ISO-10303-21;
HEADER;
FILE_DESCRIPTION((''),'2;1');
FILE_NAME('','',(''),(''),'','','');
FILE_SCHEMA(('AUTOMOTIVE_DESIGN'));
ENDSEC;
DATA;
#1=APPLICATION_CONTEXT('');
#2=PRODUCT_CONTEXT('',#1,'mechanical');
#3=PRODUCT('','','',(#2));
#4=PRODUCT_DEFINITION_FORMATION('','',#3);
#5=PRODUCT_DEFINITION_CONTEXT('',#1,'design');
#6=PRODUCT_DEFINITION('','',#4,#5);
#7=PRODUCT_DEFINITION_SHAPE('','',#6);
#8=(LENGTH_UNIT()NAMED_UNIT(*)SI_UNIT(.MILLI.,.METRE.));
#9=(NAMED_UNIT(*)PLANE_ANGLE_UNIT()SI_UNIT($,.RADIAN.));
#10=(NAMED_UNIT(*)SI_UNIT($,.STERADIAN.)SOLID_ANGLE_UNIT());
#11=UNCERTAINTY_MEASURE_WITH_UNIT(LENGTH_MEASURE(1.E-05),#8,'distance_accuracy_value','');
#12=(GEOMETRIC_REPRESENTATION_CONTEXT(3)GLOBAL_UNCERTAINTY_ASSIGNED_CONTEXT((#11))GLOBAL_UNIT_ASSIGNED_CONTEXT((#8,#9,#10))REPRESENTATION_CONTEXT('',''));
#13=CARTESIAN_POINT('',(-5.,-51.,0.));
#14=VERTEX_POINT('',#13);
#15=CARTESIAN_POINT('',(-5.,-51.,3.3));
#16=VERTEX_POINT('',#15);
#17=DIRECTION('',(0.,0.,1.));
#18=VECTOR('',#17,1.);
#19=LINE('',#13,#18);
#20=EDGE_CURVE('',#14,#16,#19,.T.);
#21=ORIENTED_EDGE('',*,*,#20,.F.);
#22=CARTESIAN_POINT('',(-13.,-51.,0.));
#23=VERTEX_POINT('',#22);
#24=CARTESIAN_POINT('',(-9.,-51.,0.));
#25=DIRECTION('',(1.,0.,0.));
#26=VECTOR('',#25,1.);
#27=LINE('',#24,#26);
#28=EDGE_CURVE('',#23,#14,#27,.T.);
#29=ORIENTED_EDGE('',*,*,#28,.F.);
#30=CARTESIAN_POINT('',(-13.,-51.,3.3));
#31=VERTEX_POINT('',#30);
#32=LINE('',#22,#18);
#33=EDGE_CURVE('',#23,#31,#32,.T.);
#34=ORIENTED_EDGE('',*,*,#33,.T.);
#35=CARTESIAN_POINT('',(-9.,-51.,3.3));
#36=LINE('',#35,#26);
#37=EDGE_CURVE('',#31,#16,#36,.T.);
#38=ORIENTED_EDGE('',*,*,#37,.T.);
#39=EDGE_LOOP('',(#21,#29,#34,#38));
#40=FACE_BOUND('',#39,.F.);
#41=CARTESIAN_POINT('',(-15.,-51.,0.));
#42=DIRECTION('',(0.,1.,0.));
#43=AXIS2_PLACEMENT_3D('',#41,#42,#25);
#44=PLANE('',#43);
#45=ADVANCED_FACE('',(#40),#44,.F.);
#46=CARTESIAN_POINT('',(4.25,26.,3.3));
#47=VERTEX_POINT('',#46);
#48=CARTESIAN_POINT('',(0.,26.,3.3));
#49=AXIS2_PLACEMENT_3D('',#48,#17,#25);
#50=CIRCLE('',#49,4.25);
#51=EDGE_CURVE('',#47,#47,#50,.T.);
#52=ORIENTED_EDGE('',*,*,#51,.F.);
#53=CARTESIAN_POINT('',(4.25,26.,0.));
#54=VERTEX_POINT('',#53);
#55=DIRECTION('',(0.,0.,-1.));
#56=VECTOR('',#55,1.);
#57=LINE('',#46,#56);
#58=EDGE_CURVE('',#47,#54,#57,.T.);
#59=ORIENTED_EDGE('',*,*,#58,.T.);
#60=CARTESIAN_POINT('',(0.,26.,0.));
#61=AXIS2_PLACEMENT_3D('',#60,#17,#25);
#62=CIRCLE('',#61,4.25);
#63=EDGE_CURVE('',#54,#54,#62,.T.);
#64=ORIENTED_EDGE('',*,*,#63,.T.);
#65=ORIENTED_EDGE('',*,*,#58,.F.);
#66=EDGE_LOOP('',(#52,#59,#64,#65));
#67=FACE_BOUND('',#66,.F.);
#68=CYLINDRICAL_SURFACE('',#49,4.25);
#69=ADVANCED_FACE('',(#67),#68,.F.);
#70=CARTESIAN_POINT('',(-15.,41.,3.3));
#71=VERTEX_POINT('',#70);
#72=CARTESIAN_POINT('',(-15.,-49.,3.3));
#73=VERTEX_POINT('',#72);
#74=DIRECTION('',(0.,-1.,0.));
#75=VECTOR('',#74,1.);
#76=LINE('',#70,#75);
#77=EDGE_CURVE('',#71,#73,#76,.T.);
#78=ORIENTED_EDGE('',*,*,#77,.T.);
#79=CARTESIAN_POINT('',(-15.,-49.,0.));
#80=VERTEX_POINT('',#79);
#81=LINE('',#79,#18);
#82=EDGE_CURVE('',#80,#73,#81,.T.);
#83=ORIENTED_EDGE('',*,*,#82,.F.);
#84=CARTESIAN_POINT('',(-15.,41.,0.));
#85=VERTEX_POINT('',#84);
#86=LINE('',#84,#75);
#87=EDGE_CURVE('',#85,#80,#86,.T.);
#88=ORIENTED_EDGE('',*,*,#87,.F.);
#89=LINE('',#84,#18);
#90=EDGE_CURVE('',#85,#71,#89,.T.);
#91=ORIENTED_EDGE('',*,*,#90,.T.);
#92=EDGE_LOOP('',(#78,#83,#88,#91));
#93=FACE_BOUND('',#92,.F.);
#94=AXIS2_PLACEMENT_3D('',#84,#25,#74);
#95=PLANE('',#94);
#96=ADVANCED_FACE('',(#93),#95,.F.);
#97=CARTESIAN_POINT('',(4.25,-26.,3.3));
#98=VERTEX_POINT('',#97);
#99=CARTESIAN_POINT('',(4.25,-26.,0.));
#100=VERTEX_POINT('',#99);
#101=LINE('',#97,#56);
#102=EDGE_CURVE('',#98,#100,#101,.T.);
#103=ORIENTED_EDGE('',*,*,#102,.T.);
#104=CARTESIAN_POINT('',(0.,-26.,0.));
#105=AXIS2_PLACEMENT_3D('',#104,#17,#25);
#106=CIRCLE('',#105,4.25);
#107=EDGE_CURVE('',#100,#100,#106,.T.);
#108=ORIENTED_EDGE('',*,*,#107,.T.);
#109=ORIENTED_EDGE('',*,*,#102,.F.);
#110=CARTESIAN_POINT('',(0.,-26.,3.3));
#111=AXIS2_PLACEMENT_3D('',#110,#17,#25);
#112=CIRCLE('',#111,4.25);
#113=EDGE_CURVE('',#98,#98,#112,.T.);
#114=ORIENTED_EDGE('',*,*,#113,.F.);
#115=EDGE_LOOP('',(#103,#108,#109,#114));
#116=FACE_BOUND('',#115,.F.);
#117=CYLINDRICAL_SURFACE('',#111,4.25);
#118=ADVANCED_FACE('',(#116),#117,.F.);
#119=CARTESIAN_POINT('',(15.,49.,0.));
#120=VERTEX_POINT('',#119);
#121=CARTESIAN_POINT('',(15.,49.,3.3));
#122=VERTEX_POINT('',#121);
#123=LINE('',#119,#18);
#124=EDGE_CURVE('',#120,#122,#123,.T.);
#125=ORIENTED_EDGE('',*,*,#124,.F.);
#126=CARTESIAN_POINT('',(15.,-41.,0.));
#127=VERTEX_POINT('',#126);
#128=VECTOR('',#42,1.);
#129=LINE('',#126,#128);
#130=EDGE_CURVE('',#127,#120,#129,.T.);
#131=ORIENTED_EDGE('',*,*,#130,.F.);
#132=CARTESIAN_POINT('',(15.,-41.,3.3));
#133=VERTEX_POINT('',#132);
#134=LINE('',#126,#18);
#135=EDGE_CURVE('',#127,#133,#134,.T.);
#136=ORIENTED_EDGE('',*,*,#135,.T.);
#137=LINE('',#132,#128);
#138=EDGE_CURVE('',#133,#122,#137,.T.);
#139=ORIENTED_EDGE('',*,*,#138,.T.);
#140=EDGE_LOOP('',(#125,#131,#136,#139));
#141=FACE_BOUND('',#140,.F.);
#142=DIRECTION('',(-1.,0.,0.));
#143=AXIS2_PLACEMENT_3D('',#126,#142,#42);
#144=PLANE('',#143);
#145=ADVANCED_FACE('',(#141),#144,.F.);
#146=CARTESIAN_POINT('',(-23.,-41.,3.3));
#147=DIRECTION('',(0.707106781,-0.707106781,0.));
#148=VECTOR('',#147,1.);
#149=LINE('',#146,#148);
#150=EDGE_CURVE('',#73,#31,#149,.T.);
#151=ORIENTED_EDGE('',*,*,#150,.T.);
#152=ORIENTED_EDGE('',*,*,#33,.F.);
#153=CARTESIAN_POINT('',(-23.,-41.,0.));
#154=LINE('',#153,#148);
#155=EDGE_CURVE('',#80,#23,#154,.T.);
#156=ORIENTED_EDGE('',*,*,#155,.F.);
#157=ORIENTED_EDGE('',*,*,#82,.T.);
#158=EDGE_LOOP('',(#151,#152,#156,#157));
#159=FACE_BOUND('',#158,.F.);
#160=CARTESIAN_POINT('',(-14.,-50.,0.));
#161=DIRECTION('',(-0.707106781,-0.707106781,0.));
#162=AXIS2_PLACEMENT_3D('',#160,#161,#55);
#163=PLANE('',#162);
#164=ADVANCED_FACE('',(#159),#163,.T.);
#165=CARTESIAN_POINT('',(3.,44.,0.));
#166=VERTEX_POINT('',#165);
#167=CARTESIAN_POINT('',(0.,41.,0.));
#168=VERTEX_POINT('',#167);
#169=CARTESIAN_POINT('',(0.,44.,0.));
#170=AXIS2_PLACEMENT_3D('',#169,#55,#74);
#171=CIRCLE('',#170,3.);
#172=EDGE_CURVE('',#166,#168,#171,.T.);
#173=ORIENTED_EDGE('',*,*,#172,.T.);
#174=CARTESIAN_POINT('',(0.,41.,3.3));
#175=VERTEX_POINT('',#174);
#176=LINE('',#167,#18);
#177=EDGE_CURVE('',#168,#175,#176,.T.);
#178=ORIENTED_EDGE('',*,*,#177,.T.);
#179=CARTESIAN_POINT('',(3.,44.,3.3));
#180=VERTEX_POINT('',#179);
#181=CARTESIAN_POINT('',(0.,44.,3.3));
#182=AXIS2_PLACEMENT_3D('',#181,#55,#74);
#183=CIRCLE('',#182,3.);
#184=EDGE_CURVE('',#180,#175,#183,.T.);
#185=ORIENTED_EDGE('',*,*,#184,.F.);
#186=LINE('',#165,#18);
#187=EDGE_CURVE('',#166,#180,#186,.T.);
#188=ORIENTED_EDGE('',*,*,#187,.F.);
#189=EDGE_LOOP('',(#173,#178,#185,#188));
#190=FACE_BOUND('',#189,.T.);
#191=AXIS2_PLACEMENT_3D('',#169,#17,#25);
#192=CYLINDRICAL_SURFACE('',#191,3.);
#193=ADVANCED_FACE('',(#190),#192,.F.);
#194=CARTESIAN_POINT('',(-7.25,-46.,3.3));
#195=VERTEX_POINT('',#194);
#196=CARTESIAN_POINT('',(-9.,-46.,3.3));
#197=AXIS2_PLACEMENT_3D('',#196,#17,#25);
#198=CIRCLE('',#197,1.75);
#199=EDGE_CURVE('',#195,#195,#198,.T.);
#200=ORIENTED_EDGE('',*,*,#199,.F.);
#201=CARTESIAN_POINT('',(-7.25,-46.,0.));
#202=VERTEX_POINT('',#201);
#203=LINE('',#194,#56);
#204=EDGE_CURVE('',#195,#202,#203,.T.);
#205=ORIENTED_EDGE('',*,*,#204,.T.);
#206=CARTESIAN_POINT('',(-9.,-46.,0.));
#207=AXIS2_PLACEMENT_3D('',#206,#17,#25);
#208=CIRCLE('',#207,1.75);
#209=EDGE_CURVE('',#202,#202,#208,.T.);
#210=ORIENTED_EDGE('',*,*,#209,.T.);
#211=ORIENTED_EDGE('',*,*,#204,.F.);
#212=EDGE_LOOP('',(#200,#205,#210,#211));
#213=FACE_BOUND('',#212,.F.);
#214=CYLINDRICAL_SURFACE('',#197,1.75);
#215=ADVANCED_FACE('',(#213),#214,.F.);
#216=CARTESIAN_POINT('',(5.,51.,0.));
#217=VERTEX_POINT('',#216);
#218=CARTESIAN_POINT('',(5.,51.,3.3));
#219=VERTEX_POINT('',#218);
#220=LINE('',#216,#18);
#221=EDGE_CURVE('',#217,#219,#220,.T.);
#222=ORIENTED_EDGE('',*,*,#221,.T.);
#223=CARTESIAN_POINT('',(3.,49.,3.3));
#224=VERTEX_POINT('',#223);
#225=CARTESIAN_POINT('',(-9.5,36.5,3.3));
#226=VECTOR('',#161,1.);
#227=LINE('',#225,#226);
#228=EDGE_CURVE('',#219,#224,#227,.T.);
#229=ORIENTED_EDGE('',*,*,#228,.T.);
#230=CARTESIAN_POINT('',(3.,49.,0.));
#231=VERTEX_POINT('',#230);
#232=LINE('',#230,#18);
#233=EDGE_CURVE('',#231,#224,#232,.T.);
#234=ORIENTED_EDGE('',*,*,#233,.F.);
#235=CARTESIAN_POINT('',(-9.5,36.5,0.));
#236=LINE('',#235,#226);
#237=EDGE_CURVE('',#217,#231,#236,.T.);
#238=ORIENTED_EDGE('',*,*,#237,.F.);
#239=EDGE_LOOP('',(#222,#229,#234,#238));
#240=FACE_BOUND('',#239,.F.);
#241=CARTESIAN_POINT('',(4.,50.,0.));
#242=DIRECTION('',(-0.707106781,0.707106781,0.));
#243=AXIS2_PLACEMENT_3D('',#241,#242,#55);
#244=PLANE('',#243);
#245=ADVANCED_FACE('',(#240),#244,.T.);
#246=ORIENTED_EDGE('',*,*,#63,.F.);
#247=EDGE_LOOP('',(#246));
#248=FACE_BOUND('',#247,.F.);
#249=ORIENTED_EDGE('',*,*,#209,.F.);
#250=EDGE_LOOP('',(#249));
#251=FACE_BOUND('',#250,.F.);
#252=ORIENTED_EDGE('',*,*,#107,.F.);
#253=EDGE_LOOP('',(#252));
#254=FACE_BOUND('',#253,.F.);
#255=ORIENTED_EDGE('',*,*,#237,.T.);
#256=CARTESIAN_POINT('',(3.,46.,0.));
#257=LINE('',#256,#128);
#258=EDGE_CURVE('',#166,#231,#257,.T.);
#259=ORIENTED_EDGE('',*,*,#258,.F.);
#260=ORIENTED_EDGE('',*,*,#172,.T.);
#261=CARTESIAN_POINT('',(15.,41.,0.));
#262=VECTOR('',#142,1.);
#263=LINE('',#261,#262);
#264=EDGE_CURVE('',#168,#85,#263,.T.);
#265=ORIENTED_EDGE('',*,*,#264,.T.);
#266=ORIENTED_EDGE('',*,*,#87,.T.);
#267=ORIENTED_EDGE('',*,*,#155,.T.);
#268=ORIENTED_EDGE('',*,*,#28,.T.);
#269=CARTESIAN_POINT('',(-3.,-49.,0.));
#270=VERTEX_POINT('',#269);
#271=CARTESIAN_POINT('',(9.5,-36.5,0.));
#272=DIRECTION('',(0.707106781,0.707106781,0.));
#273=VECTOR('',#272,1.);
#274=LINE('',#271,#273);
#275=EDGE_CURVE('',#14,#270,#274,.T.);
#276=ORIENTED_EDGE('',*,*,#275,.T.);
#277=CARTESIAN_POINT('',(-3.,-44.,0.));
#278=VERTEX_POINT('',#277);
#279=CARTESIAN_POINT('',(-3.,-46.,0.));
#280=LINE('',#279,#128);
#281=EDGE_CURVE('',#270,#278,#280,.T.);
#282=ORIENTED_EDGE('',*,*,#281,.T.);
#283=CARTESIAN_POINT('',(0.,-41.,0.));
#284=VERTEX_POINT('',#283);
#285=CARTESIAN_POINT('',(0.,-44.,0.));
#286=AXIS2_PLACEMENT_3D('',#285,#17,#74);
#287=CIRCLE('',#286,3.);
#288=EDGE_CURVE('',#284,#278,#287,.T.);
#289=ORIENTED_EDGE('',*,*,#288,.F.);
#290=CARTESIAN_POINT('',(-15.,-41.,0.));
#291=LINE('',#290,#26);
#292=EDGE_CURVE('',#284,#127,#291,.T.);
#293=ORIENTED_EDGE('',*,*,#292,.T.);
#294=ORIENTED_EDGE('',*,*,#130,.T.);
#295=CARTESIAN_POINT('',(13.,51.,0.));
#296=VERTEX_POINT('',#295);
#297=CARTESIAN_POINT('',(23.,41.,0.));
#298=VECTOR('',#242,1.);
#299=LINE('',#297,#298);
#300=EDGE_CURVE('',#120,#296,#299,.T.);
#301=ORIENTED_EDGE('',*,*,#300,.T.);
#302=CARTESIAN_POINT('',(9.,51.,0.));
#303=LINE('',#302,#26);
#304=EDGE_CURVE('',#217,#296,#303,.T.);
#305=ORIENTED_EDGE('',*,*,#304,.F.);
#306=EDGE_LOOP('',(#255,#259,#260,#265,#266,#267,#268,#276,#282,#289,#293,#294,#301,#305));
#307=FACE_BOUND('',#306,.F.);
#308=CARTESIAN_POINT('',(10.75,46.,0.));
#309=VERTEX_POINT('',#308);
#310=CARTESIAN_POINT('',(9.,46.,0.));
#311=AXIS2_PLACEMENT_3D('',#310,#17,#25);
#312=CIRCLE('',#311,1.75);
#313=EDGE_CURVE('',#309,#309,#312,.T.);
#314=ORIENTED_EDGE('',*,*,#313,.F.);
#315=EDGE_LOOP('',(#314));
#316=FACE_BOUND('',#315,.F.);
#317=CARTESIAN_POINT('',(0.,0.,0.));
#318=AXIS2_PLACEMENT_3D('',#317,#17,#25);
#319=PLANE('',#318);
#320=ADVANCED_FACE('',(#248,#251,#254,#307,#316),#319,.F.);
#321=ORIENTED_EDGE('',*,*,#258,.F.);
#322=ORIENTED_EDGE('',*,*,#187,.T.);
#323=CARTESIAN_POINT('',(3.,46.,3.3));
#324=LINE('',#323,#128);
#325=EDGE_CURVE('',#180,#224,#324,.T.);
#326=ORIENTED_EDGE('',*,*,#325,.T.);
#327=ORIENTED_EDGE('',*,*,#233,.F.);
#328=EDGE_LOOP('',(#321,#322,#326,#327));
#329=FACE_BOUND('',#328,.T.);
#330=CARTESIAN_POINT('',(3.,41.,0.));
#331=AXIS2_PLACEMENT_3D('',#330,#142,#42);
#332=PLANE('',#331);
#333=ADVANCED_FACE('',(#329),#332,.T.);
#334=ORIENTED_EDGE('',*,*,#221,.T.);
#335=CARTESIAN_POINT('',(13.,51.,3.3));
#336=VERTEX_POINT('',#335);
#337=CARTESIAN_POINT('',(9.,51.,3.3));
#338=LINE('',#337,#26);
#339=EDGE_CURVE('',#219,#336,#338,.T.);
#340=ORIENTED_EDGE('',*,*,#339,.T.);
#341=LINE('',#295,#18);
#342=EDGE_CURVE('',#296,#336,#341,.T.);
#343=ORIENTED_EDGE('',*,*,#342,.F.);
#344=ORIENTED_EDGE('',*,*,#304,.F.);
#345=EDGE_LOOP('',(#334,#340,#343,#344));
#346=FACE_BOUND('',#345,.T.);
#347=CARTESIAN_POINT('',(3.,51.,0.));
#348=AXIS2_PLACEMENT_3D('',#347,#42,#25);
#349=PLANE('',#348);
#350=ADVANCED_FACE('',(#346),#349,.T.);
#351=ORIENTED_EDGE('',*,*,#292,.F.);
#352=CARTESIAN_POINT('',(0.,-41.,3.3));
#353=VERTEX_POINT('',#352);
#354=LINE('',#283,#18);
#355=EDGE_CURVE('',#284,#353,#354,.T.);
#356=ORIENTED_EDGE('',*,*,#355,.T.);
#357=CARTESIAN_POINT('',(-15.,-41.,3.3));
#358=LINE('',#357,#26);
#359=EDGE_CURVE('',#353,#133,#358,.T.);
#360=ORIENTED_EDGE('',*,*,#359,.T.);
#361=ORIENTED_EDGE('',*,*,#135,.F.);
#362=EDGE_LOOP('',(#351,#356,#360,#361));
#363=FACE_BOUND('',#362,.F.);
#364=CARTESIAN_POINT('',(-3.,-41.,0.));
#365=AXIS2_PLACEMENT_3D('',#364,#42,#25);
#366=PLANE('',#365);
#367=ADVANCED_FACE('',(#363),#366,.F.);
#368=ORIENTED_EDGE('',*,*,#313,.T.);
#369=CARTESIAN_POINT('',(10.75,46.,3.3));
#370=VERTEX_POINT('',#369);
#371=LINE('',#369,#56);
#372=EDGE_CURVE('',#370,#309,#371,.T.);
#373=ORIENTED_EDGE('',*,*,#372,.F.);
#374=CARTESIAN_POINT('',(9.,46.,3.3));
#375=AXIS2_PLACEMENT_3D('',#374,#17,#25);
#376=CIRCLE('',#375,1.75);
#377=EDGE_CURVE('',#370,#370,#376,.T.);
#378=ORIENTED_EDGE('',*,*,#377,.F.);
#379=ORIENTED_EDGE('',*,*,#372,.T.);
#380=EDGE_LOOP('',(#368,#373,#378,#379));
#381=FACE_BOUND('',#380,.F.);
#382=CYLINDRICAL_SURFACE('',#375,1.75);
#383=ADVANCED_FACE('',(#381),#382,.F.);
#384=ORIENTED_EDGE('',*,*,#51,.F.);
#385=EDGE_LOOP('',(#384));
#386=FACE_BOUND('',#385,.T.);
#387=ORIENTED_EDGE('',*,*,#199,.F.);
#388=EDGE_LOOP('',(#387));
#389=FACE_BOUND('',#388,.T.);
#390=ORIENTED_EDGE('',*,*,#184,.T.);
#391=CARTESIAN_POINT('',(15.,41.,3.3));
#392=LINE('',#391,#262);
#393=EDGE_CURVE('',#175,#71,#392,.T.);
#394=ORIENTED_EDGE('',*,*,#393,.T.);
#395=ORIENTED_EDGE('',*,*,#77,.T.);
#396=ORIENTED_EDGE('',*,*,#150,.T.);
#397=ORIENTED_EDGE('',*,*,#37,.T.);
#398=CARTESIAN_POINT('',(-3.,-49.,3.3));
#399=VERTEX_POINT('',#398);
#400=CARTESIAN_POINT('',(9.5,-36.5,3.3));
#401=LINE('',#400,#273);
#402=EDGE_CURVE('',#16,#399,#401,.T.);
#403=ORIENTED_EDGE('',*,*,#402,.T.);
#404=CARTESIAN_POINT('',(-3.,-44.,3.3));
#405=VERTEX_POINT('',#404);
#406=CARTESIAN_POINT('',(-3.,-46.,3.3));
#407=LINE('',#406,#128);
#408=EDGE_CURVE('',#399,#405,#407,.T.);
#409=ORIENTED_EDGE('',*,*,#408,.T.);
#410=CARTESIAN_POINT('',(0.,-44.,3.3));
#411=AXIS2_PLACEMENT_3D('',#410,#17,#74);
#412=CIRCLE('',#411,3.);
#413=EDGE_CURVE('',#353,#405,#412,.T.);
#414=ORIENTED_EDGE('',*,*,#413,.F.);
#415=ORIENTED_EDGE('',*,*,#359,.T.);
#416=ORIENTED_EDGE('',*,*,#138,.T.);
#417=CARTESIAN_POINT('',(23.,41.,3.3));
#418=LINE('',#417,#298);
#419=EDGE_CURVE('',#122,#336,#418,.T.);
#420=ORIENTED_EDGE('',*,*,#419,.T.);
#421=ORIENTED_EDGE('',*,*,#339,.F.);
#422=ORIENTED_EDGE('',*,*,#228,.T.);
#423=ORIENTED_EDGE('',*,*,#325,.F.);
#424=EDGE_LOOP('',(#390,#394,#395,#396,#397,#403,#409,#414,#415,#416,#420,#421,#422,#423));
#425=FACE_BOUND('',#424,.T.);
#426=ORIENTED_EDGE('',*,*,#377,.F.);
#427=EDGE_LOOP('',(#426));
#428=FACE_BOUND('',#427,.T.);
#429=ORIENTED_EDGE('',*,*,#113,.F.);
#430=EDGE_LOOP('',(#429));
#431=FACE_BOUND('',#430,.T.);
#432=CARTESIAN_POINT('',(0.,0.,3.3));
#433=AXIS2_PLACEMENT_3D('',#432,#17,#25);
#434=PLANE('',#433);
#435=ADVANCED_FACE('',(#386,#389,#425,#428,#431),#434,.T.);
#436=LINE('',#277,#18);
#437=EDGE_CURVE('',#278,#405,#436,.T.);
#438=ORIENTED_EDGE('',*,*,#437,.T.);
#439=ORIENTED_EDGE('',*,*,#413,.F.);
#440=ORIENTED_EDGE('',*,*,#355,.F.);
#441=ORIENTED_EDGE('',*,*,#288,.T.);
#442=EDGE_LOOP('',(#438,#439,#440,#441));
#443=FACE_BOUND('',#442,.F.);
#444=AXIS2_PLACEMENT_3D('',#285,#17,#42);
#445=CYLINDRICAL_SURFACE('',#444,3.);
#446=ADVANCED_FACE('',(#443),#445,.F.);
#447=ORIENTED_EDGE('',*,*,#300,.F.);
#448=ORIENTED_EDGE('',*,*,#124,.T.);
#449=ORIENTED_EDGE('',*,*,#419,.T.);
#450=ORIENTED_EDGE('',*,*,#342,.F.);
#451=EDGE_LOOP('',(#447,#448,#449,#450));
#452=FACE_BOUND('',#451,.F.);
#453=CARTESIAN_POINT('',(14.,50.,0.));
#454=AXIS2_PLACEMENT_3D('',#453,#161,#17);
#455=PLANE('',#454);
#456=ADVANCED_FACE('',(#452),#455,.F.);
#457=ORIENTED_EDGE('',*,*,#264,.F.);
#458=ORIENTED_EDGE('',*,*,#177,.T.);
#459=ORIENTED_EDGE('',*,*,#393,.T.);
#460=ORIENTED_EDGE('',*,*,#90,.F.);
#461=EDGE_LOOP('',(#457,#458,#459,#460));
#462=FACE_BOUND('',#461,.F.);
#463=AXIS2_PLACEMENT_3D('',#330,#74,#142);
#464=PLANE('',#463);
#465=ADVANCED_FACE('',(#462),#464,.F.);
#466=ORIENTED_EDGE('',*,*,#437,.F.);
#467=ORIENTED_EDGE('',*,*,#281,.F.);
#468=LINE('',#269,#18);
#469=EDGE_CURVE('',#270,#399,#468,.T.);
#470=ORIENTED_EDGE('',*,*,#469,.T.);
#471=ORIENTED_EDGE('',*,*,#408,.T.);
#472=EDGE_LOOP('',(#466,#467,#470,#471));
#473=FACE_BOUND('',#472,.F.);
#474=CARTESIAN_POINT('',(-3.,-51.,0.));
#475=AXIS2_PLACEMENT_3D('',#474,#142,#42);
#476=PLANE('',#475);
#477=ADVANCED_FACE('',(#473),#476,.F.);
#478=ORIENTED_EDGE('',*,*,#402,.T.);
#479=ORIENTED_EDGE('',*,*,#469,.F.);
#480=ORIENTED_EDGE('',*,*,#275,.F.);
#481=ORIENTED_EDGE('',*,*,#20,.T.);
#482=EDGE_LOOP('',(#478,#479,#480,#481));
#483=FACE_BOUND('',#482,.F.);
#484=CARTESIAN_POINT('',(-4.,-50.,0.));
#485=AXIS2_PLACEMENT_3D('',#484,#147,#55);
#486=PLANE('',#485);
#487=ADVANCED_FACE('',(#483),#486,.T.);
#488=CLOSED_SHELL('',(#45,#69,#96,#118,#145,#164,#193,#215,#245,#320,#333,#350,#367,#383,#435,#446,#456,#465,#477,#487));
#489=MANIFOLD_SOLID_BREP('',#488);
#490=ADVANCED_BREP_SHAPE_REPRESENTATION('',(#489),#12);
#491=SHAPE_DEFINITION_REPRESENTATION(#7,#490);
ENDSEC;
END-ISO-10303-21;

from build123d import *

# Parameters (mm, degrees)
F0_W      = 12
F0_H      = 10
F1_DEPTH  = 3.3
F2_SIZE   = 2
F3_R      = 3
F4_R      = 3
F5_R      = 1.75
F6_DEPTH  = 25
F7_R      = 2.5
F8_DEPTH  = 25
F9_R      = 4.25
F10_DEPTH = 25


with BuildPart() as f1:
    # F0 (on Top) → F1 (new body)
    with BuildSketch(Plane.XY):
        Polygon((15, -41), (15, 41), (3, 41), (-15, 41), (-15, -41), (-3, -41), align=None)
        with Locations((9, 46)):
            Rectangle(F0_W, F0_H)
        with Locations((-9, -46)):
            Rectangle(F0_W, F0_H)
    extrude(amount=F1_DEPTH)

    # F2
    f2_edges = [f1.edges().sort_by_distance(p)[0] for p in [
        (15, 51, 1.65),
        (3, 51, 1.65),
        (-15, -51, 1.65),
        (-3, -51, 1.65),
    ]]
    chamfer(f2_edges, length=F2_SIZE)

    # F3
    f3_edges = [f1.edges().sort_by_distance(p)[0] for p in [
        (3, 41, 1.65),
    ]]
    fillet(f3_edges, radius=F3_R)

    # F4
    f4_edges = [f1.edges().sort_by_distance(p)[0] for p in [
        (-3, -41, 1.65),
    ]]
    fillet(f4_edges, radius=F4_R)

    # F5 (on face) → F6 (cut)
    with BuildSketch(Plane.XY.offset(3.3)):
        with Locations((9, 46)):
            Circle(F5_R)
        with Locations((-9, -46)):
            Circle(F5_R)
    extrude(amount=-F6_DEPTH, mode=Mode.SUBTRACT)

    # F7 (on face) → F8 (cut)
    with BuildSketch(Plane.XY.offset(3.3)):
        with Locations((0, 26)):
            Circle(F7_R)
        with Locations((0, -26)):
            Circle(F7_R)
    extrude(amount=-F8_DEPTH, mode=Mode.SUBTRACT)

    # F9 (on face) → F10 (cut)
    with BuildSketch(Plane.XY.offset(3.3)):
        with Locations((0, 26)):
            Circle(F9_R)
        with Locations((0, -26)):
            Circle(F9_R)
    extrude(amount=-F10_DEPTH, mode=Mode.SUBTRACT)


solid = f1.part
